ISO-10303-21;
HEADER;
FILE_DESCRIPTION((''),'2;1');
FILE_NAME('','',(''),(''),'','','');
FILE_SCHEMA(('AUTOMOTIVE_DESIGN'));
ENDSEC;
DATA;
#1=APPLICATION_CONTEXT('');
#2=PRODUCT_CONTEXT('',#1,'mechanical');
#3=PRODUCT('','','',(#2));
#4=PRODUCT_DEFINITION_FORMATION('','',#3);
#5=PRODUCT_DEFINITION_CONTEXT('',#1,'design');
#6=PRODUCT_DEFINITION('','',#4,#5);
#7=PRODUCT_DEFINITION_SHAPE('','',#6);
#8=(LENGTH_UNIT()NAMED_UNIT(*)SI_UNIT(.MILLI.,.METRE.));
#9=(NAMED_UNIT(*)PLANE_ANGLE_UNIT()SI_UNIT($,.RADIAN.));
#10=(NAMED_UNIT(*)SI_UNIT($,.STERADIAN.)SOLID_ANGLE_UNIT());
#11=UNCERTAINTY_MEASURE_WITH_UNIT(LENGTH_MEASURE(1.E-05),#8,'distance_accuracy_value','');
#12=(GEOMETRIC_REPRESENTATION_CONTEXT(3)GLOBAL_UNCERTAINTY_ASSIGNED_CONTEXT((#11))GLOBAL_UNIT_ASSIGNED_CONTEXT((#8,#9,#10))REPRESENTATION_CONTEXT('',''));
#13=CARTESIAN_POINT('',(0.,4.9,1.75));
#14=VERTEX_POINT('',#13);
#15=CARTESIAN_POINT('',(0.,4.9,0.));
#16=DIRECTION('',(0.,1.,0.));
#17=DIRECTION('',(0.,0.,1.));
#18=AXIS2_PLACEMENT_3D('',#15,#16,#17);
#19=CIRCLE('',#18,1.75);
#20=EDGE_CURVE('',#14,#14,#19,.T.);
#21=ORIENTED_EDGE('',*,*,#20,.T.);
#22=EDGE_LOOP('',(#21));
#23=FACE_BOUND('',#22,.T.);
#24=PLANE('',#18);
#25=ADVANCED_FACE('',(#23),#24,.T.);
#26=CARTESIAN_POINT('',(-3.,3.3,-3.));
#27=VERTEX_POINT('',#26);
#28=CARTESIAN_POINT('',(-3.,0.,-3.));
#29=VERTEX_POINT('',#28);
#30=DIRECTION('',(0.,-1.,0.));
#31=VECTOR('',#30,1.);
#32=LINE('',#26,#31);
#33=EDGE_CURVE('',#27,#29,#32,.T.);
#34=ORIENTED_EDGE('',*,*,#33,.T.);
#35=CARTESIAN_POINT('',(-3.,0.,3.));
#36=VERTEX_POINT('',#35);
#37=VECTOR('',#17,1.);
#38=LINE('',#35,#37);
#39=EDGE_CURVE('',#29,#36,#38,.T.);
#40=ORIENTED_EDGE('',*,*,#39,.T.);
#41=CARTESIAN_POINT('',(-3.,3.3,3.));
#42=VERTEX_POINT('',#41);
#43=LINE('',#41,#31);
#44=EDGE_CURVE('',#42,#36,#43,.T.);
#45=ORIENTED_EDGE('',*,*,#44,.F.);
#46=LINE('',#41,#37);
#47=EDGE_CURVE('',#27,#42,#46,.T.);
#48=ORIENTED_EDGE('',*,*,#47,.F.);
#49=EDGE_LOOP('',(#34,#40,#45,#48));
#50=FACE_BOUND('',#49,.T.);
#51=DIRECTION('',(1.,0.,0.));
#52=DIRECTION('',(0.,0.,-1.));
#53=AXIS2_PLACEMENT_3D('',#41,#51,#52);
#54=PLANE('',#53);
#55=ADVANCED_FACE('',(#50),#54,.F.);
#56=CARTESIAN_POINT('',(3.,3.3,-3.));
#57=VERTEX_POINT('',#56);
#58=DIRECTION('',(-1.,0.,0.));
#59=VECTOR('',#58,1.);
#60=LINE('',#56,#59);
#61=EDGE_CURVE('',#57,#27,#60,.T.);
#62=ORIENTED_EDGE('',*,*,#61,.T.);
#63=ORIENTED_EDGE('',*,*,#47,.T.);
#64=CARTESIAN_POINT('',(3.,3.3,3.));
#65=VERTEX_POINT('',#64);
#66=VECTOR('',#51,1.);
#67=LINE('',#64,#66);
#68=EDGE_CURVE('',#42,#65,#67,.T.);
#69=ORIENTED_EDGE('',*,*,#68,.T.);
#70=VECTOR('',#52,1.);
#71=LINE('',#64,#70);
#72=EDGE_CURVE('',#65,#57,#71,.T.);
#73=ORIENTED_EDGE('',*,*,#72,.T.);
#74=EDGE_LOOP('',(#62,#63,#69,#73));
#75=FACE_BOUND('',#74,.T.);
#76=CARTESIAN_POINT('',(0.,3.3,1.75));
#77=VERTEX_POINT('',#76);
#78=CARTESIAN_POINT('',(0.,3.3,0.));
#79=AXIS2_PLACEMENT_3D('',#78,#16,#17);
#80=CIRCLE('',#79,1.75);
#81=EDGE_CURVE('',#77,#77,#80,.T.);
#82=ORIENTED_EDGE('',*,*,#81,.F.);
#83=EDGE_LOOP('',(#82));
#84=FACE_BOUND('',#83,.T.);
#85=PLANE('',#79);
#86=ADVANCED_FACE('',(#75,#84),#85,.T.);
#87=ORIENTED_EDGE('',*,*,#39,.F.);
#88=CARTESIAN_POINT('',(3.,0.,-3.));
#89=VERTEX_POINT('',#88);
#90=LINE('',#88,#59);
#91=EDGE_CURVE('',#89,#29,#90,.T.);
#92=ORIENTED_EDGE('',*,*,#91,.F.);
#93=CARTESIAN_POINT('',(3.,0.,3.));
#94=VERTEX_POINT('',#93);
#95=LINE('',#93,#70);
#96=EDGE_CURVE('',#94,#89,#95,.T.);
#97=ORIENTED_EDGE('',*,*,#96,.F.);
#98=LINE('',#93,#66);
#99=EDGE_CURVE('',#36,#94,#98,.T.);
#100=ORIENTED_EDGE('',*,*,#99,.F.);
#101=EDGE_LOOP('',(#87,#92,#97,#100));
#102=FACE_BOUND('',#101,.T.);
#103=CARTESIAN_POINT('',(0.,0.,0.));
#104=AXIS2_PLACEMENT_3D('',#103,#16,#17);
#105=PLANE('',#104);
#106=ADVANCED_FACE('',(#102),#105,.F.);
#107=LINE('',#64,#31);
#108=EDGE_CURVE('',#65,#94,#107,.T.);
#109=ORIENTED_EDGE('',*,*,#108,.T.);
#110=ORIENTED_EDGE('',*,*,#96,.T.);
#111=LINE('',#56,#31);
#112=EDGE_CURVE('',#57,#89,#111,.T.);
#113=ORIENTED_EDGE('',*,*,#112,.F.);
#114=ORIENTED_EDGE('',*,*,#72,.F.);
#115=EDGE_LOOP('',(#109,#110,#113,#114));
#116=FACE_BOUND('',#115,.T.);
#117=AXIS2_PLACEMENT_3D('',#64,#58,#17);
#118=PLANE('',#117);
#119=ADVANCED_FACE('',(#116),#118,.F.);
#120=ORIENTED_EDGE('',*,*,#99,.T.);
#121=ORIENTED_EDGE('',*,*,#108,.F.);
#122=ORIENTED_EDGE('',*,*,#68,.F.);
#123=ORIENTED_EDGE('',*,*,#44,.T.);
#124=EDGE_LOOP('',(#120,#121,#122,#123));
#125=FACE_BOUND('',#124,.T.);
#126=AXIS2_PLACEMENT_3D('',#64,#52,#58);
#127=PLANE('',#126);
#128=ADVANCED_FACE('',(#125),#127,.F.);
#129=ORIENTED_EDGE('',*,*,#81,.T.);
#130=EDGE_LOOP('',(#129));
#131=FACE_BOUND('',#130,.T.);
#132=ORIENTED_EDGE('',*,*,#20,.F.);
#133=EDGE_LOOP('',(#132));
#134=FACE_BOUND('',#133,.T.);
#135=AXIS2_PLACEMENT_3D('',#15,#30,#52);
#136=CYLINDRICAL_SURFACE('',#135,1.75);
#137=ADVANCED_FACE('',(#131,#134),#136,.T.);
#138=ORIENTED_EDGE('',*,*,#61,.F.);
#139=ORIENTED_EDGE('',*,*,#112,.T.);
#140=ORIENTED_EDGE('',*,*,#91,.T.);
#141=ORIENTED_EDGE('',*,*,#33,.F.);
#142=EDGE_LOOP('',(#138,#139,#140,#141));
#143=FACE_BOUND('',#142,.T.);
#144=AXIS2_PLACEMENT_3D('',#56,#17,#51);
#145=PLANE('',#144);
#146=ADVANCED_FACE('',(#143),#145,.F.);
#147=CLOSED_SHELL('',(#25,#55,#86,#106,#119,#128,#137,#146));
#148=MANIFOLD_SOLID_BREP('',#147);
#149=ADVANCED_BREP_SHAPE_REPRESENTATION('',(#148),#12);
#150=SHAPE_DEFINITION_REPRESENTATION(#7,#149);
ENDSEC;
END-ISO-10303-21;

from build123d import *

# Parameters (mm, degrees)
SKETCH1_W           = 6
SKETCH1_H           = 6
BOSS_EXTRUDE1_DEPTH = 3.3
SKETCH2_R           = 1.75
BOSS_EXTRUDE2_DEPTH = 1.6


with BuildPart() as part:
    # Sketch1 → Boss-Extrude1 (new body)
    with BuildSketch(Plane(origin=(0, 0, 0), x_dir=(1, 0, 0), z_dir=(0, 1, 0))):
        Rectangle(SKETCH1_W, SKETCH1_H)
    extrude(amount=BOSS_EXTRUDE1_DEPTH)

    # Sketch2 → Boss-Extrude2 (add)
    with BuildSketch(Plane(origin=(0, 3.3, 0), x_dir=(1, 0, 0), z_dir=(0, 1, 0))):
        Circle(SKETCH2_R)
    extrude(amount=BOSS_EXTRUDE2_DEPTH)


solid = part.part
